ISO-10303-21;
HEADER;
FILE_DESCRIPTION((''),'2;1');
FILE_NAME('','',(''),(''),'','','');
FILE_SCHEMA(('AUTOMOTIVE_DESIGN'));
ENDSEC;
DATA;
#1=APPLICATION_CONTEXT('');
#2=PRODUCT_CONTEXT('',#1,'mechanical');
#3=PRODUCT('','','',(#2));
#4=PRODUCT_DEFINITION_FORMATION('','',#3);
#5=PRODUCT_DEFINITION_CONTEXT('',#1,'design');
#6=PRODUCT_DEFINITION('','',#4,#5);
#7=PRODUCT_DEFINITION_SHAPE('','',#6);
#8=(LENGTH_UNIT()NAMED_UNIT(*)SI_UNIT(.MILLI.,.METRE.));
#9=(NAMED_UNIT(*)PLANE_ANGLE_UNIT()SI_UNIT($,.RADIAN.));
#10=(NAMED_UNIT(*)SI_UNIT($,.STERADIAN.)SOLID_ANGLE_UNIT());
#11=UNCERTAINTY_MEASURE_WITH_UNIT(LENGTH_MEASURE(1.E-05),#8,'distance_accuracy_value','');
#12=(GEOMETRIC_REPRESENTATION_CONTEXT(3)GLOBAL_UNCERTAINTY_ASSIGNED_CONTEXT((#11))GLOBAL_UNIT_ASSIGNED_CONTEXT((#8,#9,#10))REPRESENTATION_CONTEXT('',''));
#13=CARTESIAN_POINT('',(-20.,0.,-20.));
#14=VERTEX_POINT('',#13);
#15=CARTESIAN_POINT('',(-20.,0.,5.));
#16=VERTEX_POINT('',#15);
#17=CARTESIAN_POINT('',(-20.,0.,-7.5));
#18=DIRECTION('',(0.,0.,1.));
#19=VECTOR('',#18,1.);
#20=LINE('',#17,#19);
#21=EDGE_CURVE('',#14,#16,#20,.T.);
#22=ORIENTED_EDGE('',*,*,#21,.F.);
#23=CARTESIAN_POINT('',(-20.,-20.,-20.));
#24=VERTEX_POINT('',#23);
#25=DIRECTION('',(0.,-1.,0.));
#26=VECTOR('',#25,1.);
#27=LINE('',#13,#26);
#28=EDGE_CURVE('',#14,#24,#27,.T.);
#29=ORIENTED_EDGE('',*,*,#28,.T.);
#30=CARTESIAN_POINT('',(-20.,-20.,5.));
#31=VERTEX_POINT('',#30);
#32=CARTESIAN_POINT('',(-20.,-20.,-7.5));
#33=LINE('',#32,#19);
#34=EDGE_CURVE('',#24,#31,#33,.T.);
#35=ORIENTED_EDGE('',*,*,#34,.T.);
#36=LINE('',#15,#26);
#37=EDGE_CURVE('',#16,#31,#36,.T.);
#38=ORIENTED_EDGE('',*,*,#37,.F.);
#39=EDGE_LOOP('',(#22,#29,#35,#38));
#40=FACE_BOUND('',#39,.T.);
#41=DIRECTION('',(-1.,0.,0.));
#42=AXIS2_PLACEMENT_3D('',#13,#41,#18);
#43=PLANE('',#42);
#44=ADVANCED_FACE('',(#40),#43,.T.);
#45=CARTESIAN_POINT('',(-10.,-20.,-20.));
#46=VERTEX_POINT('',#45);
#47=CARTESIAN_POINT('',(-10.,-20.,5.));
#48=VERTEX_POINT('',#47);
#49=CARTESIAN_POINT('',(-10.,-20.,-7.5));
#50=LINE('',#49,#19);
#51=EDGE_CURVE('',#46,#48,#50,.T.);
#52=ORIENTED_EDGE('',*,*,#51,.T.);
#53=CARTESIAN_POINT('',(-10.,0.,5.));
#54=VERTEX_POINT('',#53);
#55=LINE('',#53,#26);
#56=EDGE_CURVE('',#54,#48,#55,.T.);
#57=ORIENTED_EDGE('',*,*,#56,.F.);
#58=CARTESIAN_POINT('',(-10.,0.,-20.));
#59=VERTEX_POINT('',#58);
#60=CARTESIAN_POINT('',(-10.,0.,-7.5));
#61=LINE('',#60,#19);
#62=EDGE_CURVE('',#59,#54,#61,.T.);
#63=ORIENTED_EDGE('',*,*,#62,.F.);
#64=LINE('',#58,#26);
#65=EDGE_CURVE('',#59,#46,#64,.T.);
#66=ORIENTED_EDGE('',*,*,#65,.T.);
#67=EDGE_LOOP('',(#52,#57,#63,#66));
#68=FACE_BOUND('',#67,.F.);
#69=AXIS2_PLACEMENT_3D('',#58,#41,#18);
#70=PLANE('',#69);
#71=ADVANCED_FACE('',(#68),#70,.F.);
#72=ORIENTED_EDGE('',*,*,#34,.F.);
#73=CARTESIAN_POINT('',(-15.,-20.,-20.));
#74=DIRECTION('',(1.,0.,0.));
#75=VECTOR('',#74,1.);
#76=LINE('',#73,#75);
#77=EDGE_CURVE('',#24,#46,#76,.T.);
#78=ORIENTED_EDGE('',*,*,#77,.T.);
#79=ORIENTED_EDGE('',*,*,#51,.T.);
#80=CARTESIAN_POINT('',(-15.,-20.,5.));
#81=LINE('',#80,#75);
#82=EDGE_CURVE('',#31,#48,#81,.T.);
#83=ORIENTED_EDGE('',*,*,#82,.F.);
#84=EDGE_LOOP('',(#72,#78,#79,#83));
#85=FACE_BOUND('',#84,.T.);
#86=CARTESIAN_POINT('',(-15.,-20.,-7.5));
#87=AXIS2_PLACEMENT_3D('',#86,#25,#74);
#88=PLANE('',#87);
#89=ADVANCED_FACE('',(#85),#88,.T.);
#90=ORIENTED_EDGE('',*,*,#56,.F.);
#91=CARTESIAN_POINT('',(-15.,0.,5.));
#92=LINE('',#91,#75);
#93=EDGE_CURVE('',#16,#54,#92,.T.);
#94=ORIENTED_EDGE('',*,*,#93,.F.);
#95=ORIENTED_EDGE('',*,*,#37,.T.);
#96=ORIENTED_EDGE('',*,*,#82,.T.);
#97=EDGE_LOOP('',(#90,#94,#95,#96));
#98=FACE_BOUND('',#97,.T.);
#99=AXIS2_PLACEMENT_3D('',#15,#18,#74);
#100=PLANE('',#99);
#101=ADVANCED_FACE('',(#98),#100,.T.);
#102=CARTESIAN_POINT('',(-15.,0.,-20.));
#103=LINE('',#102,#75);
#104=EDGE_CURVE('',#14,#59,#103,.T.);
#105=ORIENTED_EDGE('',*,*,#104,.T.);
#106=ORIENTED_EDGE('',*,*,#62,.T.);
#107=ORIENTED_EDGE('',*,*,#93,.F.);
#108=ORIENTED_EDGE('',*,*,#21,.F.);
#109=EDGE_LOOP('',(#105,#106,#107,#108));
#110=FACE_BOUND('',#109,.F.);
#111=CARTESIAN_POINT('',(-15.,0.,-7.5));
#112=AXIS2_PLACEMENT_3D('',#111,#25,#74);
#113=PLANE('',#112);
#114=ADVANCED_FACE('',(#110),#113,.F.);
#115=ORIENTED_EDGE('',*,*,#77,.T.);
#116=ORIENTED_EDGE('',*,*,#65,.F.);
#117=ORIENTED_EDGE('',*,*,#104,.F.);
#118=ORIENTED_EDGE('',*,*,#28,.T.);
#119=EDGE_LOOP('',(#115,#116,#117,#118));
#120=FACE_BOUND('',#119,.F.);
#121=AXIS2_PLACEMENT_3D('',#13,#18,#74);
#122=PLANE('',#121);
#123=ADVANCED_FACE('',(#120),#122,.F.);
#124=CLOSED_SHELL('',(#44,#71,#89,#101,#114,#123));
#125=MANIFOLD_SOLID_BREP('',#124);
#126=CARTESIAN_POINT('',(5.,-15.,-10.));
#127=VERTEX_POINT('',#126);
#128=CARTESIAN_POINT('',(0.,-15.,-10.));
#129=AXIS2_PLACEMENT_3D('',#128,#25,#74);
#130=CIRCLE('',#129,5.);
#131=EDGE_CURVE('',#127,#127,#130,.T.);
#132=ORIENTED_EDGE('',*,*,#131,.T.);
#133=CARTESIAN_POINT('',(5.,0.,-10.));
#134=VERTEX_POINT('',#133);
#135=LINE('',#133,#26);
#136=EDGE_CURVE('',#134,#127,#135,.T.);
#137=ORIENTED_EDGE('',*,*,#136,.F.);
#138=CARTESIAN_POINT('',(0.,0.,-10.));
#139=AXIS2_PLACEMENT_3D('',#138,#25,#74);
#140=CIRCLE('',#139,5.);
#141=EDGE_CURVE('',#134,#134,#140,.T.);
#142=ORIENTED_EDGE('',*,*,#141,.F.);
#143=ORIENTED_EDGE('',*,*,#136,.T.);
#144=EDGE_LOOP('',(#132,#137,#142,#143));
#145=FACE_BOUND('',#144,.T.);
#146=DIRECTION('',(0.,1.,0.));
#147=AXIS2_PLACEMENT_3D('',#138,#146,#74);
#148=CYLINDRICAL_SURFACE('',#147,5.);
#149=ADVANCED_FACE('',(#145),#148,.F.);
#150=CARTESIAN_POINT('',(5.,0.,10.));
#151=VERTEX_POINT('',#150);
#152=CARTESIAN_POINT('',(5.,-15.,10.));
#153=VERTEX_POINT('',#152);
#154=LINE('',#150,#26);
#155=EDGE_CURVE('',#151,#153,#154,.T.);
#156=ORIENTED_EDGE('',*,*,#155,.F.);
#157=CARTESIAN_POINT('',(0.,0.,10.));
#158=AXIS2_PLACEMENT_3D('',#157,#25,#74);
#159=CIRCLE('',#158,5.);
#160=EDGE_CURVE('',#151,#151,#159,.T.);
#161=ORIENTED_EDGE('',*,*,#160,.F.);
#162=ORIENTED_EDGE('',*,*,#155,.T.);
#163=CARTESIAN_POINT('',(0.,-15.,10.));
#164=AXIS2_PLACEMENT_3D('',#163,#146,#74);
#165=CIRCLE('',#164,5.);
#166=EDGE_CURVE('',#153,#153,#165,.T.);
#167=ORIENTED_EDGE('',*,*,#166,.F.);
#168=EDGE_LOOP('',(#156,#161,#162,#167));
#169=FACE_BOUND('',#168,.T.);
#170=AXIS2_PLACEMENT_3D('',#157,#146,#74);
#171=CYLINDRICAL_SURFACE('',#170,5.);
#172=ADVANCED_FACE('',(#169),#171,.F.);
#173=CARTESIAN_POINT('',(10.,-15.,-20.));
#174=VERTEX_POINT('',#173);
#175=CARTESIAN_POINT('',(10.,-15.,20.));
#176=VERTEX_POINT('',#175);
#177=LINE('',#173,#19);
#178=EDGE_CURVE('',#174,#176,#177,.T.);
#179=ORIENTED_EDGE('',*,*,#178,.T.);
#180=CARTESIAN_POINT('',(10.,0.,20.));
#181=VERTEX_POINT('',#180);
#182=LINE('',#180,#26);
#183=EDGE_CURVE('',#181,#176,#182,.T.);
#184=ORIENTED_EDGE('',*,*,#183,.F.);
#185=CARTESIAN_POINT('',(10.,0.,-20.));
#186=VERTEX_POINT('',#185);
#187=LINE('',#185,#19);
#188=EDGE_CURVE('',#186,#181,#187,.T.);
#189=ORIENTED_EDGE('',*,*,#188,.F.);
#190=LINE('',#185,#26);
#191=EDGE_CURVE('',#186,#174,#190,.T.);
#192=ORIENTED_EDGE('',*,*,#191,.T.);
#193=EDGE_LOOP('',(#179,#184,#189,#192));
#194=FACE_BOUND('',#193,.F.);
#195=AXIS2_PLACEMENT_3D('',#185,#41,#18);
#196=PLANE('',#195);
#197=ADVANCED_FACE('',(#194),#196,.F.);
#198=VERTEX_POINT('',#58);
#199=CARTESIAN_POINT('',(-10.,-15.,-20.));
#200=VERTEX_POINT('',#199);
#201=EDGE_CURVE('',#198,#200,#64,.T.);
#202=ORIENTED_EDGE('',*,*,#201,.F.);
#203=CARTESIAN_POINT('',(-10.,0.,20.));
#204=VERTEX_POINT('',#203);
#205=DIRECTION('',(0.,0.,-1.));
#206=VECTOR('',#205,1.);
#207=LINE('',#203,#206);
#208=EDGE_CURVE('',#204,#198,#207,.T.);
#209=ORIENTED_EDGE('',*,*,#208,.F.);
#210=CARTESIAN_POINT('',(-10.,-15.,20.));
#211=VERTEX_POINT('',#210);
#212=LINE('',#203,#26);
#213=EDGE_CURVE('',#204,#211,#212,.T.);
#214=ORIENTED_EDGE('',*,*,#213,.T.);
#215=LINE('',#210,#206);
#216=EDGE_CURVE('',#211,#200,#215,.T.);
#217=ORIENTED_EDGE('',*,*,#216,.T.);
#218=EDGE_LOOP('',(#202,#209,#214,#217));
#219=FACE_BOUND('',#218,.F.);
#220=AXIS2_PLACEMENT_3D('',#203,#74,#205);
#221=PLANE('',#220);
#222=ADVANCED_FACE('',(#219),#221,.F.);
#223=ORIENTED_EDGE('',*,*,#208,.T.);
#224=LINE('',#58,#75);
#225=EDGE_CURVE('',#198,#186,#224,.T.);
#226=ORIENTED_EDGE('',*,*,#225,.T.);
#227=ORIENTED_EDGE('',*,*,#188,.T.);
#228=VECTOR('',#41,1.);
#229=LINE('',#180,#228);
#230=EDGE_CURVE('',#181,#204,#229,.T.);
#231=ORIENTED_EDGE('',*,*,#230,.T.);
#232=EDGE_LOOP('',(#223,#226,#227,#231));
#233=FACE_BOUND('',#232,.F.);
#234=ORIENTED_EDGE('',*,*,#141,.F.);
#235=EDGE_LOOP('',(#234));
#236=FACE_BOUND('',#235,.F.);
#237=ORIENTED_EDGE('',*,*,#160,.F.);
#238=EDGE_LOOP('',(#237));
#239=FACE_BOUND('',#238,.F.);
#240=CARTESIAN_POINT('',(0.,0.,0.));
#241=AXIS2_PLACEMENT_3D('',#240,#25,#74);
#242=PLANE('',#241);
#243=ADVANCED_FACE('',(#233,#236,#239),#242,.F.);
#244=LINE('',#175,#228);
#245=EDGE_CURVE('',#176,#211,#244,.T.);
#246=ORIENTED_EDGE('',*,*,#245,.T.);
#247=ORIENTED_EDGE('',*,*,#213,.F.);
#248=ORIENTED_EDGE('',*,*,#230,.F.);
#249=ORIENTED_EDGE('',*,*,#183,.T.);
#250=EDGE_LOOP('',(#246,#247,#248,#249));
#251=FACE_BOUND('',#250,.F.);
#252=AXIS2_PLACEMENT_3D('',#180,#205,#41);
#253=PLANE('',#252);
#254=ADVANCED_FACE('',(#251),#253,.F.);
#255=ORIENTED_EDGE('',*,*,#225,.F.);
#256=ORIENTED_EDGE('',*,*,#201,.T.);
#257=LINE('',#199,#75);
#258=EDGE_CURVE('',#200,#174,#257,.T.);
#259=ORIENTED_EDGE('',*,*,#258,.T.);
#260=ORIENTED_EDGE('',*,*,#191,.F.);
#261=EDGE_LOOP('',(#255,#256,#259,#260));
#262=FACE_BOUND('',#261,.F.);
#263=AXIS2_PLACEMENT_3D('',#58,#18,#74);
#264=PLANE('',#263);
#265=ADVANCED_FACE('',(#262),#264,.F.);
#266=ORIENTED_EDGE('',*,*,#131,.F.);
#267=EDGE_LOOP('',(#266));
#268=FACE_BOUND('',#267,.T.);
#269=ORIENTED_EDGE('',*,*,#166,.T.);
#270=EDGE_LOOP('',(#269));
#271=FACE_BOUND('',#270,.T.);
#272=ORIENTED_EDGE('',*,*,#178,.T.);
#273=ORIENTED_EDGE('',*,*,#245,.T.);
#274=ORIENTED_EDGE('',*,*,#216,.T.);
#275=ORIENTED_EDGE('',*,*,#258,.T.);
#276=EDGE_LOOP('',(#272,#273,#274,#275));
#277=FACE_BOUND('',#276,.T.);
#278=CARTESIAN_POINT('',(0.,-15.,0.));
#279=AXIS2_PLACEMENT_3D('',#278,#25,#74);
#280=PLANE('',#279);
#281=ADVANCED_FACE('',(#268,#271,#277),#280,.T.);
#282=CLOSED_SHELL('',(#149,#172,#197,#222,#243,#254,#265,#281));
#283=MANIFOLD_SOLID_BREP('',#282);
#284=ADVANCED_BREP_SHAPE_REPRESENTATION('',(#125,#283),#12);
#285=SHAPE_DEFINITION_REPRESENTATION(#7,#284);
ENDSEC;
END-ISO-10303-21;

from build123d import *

# Parameters (mm, degrees)
F0_R     = 5
F1_DEPTH = 15
F0_W     = 10
F0_H     = 25
F2_DEPTH = 20
F3_R     = 5
F4_DEPTH = 25


with BuildPart() as f1:
    # F0 (on Front) → F1 (new body)
    with BuildSketch(Plane.XZ):
        Polygon((10, -20), (10, 20), (-10, 20), (-10, 5), (-10, -20), align=None)
        with Locations((0, -10)):
            Circle(F0_R, mode=Mode.SUBTRACT)
    extrude(amount=F1_DEPTH)

    # F3 (on Front) → F4 (cut)
    with BuildSketch(Plane.XZ):
        with Locations((0, 10)):
            Circle(F3_R)
    extrude(amount=F4_DEPTH, mode=Mode.SUBTRACT)


with BuildPart() as f2:
    # F0 (on Front) → F2 (new body)
    with BuildSketch(Plane.XZ):
        with Locations((-15, -7.5)):
            Rectangle(F0_W, F0_H)
    extrude(amount=F2_DEPTH)


solid = Compound([f1.part, f2.part])
